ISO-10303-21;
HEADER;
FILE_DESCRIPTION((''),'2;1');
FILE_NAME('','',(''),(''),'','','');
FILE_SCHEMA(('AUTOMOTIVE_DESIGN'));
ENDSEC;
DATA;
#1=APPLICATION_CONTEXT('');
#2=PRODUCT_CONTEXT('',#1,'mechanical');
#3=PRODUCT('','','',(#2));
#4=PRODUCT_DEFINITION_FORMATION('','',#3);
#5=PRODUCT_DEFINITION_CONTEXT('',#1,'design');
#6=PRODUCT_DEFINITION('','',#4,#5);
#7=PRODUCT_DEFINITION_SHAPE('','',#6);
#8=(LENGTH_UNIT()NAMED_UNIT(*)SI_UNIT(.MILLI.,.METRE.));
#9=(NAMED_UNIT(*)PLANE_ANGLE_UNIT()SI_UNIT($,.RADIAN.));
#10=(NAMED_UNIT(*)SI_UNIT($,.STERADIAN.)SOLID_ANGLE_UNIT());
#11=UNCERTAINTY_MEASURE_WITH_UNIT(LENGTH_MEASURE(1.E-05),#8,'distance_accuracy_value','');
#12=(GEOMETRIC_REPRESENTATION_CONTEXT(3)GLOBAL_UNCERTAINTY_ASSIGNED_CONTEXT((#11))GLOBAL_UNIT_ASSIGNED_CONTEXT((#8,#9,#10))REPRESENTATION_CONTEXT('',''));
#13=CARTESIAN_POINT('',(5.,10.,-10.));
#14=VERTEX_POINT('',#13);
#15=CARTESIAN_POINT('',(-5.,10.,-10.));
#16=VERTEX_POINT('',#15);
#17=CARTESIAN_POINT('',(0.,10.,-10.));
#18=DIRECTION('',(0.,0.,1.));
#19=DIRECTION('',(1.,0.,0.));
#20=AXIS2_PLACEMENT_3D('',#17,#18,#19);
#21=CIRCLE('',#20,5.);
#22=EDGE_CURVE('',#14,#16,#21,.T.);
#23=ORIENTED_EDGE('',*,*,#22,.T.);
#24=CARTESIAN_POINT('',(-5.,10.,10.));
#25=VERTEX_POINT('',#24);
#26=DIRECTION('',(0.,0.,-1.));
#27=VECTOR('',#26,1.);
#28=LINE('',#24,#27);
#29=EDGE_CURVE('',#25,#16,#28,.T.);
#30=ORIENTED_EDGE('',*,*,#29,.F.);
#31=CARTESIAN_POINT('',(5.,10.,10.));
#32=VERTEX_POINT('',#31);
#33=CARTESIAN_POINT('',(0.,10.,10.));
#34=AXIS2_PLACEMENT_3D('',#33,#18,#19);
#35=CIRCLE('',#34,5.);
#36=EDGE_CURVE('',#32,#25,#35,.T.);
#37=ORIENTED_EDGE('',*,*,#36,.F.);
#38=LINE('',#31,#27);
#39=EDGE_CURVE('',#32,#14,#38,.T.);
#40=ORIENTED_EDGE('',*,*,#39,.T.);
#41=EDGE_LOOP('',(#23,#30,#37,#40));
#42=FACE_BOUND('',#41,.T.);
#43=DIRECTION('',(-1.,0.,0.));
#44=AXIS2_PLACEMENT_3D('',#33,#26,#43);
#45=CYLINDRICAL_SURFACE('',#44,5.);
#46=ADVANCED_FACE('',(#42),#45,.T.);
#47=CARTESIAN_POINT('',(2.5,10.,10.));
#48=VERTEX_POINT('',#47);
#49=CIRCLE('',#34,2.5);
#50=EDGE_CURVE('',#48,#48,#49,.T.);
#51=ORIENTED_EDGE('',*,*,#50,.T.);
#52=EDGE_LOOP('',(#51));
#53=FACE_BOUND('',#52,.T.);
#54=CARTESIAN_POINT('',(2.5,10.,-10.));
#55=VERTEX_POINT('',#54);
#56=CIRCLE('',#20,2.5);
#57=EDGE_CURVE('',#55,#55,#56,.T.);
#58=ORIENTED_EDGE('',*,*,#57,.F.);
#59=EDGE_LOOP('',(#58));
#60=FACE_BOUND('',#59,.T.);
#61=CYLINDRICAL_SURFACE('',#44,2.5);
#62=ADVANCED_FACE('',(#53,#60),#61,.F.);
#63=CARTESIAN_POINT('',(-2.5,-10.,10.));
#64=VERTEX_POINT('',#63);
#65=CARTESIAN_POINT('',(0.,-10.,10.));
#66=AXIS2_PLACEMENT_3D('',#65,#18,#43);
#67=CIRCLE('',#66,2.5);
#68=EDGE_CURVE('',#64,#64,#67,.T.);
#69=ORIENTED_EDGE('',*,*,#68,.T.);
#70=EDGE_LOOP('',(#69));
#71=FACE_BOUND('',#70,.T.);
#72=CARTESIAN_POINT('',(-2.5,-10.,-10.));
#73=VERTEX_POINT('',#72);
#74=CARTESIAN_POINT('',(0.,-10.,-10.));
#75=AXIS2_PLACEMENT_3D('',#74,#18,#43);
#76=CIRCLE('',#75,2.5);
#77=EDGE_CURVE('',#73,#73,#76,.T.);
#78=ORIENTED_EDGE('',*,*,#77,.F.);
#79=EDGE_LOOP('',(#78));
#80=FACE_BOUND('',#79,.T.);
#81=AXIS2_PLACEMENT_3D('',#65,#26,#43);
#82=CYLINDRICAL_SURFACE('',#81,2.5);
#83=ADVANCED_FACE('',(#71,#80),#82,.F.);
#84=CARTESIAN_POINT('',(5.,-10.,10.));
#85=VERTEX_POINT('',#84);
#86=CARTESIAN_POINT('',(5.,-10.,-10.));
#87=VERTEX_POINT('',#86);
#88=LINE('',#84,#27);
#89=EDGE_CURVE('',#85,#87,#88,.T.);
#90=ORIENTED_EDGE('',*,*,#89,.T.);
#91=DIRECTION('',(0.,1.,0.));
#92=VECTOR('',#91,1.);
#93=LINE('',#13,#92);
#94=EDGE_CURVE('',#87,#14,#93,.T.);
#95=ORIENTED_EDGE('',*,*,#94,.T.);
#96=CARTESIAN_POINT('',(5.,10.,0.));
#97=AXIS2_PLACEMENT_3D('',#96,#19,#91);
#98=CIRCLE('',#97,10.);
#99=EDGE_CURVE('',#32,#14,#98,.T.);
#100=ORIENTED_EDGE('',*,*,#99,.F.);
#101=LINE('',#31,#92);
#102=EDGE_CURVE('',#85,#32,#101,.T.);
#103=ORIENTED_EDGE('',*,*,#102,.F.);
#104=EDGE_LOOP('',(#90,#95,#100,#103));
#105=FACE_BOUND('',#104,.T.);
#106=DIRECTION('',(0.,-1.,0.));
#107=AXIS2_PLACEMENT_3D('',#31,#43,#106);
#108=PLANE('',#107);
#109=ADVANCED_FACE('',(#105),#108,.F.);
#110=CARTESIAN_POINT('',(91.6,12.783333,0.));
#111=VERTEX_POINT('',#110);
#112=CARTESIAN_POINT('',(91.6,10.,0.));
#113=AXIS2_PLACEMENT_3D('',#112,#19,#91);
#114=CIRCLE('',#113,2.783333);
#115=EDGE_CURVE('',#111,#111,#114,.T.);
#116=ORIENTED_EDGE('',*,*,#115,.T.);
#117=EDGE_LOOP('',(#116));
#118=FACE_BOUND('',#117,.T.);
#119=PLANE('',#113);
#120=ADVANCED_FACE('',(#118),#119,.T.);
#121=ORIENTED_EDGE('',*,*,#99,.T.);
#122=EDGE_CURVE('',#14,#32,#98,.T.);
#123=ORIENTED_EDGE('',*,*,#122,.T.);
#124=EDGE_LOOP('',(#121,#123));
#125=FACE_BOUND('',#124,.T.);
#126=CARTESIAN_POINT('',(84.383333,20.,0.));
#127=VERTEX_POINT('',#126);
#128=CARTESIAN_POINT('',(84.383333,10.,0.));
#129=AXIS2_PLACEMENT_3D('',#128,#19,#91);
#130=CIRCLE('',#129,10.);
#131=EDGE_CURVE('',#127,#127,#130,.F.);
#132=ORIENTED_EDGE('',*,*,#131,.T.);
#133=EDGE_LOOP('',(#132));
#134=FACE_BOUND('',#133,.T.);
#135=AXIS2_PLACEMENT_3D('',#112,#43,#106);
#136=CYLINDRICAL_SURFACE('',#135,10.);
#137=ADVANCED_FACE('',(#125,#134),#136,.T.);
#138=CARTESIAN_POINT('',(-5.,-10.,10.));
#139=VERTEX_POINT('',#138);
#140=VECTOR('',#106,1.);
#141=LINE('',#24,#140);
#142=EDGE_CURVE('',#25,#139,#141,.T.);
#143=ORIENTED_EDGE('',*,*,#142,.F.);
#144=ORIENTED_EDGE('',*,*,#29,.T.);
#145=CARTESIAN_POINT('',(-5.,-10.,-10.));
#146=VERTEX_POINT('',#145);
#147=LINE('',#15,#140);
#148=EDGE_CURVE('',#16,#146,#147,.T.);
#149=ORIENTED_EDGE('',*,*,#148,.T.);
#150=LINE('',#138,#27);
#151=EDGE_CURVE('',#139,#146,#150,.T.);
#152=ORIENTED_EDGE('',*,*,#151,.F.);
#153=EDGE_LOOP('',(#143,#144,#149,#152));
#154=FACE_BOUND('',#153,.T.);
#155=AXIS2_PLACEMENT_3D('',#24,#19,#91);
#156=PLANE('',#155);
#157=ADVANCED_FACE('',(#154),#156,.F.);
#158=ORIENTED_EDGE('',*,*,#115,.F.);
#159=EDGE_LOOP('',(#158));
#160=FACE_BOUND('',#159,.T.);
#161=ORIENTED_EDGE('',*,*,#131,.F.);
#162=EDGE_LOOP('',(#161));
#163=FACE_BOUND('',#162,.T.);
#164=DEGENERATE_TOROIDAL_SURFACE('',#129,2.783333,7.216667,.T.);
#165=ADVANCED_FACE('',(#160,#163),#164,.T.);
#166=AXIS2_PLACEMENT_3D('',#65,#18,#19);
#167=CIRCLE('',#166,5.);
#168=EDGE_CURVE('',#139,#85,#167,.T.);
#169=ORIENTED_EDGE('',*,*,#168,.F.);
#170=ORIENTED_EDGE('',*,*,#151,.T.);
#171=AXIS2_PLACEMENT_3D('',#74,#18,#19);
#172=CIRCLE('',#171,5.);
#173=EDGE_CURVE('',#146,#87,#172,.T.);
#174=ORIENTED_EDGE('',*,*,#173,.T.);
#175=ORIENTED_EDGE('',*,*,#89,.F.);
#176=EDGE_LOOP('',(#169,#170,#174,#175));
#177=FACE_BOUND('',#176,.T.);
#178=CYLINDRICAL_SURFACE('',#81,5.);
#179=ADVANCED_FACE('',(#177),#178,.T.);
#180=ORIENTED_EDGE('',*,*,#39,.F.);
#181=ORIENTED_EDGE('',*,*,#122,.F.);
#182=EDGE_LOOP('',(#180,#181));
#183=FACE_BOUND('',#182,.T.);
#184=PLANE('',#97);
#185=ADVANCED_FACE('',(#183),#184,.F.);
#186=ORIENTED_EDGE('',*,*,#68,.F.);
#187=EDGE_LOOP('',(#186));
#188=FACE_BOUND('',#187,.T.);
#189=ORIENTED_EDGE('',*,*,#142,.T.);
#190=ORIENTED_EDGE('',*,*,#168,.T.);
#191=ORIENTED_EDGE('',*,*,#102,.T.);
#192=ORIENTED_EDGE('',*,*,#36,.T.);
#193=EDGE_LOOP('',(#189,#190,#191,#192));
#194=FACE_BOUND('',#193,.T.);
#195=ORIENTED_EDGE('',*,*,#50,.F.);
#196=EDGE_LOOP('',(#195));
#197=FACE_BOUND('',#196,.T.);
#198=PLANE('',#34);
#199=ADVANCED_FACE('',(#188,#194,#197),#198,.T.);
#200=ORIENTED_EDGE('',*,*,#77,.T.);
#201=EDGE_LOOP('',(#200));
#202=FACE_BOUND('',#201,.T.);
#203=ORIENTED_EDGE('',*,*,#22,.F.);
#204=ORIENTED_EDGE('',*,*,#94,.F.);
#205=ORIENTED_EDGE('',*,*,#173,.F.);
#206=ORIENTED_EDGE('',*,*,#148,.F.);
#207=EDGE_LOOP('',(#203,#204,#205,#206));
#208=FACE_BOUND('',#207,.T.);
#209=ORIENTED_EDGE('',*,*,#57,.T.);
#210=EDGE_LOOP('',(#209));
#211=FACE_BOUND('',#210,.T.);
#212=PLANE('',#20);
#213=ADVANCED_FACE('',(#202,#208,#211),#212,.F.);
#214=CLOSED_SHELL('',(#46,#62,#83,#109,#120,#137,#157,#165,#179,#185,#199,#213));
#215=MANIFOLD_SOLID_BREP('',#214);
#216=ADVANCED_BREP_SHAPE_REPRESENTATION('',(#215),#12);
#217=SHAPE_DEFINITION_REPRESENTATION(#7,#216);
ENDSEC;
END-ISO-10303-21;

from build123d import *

# Parameters (mm, degrees)
ESQUISSE1_R        = 2.5
BOSS_EXTRU_1_DEPTH = 10
ESQUISSE2_R        = 10
BOSS_EXTRU_2_DEPTH = 86.6
CONG_1_R           = 7.216666667


with BuildPart() as part:
    # Esquisse1 → Boss.-Extru.1 (new, symmetric)
    with BuildSketch(Plane.XY):
        with BuildLine():
            Line((5, 10), (5, -10))
            ThreePointArc((5, -10), (0, -15), (-5, -10))
            Line((-5, -10), (-5, 10))
            ThreePointArc((-5, 10), (0, 15), (5, 10))
        make_face()
        with Locations((0, 10)):
            Circle(ESQUISSE1_R, mode=Mode.SUBTRACT)
        with Locations((0, -10)):
            Circle(ESQUISSE1_R, mode=Mode.SUBTRACT)
    extrude(amount=BOSS_EXTRU_1_DEPTH, both=True)

    # Esquisse2 → Boss.-Extru.2 (add)
    with BuildSketch(Plane(origin=(5, 0, 0), x_dir=(0, 0, -1), z_dir=(1, 0, 0))):
        with Locations((0, 10)):
            Circle(ESQUISSE2_R)
    extrude(amount=BOSS_EXTRU_2_DEPTH)

    # Congé1
    cong_1_edges = [part.edges().sort_by_distance(p)[0] for p in [
        (91.6, 10, 10),
    ]]
    fillet(cong_1_edges, radius=CONG_1_R)


solid = part.part
